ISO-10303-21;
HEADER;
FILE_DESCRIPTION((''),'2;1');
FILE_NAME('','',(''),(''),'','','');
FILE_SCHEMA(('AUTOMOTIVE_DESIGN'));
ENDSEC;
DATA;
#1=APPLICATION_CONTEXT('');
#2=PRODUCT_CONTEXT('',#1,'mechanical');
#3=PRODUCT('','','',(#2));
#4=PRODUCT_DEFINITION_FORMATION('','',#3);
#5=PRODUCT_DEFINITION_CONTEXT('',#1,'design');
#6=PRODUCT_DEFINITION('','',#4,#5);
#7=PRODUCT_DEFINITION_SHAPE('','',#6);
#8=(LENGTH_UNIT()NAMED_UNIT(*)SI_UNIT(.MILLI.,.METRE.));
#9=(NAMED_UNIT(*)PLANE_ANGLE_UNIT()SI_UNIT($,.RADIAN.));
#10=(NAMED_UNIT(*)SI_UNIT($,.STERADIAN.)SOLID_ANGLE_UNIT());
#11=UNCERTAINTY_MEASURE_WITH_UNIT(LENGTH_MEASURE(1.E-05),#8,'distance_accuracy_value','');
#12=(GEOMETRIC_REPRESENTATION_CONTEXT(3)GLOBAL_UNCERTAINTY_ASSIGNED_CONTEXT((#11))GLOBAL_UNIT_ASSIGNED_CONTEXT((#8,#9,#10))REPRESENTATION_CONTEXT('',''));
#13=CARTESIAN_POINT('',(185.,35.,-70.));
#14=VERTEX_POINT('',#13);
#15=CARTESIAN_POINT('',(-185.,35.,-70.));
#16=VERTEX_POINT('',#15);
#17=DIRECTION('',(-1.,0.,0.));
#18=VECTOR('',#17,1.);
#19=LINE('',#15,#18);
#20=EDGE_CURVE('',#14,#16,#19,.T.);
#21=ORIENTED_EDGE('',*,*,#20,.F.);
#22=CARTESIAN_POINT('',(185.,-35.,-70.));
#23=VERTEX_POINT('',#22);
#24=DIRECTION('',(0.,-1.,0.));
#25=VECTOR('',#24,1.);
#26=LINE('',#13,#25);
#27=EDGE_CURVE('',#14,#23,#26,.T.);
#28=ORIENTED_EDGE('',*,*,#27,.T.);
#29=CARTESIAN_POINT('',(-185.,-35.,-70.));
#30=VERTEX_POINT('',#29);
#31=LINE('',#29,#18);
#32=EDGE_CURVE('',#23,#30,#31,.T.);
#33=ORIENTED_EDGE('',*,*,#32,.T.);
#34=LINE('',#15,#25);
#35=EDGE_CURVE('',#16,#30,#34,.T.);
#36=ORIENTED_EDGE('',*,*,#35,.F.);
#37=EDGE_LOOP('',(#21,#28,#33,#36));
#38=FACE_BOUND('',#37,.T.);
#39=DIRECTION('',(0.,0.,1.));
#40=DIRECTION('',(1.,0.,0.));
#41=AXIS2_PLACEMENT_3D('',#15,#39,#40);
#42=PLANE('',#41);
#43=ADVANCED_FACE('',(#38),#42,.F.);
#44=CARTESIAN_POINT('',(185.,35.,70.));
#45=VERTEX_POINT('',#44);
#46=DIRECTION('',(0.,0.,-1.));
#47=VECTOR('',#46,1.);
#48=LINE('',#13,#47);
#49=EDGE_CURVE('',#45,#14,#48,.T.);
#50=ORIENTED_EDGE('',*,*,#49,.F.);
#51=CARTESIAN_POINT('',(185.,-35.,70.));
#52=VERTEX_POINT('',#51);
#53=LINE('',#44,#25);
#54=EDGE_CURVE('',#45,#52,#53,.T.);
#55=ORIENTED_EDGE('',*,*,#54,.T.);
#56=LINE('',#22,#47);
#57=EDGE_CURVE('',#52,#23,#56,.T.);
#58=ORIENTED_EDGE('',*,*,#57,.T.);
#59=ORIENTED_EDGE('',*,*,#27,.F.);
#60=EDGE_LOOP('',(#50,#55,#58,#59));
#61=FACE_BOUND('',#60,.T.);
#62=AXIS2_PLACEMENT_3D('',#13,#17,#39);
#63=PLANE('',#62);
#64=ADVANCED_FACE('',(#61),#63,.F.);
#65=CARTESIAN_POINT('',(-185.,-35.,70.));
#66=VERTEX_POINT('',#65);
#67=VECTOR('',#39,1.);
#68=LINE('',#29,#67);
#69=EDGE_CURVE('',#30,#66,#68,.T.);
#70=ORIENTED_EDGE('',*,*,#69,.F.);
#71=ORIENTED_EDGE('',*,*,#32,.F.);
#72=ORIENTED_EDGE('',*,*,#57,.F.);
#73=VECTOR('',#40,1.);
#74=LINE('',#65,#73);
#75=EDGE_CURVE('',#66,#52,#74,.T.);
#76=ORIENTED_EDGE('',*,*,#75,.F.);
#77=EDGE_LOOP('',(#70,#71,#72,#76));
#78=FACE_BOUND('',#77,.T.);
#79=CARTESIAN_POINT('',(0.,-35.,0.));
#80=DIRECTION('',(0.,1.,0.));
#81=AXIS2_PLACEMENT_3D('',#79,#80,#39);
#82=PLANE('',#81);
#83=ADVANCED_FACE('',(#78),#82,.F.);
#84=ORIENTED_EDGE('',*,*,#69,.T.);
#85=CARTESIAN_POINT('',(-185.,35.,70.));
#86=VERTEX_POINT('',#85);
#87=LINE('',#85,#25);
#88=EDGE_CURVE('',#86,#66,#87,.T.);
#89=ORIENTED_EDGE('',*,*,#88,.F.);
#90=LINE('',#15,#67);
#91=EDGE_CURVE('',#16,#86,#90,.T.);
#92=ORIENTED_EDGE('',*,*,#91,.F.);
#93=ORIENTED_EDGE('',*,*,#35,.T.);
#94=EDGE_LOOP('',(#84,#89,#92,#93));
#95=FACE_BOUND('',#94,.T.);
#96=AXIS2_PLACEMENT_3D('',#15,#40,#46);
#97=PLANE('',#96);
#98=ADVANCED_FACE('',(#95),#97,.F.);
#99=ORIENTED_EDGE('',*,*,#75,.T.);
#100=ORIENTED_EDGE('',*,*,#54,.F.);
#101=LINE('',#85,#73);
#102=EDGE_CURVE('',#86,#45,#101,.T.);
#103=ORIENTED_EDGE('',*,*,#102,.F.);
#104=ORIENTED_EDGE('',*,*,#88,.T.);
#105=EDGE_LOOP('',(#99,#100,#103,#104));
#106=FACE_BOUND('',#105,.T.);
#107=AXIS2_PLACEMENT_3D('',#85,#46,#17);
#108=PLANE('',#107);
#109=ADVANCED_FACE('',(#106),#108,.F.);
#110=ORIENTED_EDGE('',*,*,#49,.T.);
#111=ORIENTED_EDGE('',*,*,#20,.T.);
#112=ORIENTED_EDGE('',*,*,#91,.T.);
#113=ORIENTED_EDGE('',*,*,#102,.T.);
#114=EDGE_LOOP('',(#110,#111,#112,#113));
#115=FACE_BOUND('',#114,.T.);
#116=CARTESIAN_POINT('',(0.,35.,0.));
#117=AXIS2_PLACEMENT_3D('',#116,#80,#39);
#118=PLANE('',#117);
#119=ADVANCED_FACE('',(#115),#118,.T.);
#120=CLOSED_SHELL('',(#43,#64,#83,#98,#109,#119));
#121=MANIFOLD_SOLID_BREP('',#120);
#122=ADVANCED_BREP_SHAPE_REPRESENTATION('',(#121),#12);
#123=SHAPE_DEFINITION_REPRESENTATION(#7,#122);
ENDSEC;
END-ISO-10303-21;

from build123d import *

# Parameters (mm, degrees)
SKETCH1_W           = 370
SKETCH1_H           = 140
BOSS_EXTRUDE1_DEPTH = 35


with BuildPart() as part:
    # Sketch1 → Boss-Extrude1 (new body, symmetric)
    with BuildSketch(Plane(origin=(0, 0, 0), x_dir=(1, 0, 0), z_dir=(0, 1, 0))):
        Rectangle(SKETCH1_W, SKETCH1_H)
    extrude(amount=BOSS_EXTRUDE1_DEPTH, both=True)


solid = part.part
